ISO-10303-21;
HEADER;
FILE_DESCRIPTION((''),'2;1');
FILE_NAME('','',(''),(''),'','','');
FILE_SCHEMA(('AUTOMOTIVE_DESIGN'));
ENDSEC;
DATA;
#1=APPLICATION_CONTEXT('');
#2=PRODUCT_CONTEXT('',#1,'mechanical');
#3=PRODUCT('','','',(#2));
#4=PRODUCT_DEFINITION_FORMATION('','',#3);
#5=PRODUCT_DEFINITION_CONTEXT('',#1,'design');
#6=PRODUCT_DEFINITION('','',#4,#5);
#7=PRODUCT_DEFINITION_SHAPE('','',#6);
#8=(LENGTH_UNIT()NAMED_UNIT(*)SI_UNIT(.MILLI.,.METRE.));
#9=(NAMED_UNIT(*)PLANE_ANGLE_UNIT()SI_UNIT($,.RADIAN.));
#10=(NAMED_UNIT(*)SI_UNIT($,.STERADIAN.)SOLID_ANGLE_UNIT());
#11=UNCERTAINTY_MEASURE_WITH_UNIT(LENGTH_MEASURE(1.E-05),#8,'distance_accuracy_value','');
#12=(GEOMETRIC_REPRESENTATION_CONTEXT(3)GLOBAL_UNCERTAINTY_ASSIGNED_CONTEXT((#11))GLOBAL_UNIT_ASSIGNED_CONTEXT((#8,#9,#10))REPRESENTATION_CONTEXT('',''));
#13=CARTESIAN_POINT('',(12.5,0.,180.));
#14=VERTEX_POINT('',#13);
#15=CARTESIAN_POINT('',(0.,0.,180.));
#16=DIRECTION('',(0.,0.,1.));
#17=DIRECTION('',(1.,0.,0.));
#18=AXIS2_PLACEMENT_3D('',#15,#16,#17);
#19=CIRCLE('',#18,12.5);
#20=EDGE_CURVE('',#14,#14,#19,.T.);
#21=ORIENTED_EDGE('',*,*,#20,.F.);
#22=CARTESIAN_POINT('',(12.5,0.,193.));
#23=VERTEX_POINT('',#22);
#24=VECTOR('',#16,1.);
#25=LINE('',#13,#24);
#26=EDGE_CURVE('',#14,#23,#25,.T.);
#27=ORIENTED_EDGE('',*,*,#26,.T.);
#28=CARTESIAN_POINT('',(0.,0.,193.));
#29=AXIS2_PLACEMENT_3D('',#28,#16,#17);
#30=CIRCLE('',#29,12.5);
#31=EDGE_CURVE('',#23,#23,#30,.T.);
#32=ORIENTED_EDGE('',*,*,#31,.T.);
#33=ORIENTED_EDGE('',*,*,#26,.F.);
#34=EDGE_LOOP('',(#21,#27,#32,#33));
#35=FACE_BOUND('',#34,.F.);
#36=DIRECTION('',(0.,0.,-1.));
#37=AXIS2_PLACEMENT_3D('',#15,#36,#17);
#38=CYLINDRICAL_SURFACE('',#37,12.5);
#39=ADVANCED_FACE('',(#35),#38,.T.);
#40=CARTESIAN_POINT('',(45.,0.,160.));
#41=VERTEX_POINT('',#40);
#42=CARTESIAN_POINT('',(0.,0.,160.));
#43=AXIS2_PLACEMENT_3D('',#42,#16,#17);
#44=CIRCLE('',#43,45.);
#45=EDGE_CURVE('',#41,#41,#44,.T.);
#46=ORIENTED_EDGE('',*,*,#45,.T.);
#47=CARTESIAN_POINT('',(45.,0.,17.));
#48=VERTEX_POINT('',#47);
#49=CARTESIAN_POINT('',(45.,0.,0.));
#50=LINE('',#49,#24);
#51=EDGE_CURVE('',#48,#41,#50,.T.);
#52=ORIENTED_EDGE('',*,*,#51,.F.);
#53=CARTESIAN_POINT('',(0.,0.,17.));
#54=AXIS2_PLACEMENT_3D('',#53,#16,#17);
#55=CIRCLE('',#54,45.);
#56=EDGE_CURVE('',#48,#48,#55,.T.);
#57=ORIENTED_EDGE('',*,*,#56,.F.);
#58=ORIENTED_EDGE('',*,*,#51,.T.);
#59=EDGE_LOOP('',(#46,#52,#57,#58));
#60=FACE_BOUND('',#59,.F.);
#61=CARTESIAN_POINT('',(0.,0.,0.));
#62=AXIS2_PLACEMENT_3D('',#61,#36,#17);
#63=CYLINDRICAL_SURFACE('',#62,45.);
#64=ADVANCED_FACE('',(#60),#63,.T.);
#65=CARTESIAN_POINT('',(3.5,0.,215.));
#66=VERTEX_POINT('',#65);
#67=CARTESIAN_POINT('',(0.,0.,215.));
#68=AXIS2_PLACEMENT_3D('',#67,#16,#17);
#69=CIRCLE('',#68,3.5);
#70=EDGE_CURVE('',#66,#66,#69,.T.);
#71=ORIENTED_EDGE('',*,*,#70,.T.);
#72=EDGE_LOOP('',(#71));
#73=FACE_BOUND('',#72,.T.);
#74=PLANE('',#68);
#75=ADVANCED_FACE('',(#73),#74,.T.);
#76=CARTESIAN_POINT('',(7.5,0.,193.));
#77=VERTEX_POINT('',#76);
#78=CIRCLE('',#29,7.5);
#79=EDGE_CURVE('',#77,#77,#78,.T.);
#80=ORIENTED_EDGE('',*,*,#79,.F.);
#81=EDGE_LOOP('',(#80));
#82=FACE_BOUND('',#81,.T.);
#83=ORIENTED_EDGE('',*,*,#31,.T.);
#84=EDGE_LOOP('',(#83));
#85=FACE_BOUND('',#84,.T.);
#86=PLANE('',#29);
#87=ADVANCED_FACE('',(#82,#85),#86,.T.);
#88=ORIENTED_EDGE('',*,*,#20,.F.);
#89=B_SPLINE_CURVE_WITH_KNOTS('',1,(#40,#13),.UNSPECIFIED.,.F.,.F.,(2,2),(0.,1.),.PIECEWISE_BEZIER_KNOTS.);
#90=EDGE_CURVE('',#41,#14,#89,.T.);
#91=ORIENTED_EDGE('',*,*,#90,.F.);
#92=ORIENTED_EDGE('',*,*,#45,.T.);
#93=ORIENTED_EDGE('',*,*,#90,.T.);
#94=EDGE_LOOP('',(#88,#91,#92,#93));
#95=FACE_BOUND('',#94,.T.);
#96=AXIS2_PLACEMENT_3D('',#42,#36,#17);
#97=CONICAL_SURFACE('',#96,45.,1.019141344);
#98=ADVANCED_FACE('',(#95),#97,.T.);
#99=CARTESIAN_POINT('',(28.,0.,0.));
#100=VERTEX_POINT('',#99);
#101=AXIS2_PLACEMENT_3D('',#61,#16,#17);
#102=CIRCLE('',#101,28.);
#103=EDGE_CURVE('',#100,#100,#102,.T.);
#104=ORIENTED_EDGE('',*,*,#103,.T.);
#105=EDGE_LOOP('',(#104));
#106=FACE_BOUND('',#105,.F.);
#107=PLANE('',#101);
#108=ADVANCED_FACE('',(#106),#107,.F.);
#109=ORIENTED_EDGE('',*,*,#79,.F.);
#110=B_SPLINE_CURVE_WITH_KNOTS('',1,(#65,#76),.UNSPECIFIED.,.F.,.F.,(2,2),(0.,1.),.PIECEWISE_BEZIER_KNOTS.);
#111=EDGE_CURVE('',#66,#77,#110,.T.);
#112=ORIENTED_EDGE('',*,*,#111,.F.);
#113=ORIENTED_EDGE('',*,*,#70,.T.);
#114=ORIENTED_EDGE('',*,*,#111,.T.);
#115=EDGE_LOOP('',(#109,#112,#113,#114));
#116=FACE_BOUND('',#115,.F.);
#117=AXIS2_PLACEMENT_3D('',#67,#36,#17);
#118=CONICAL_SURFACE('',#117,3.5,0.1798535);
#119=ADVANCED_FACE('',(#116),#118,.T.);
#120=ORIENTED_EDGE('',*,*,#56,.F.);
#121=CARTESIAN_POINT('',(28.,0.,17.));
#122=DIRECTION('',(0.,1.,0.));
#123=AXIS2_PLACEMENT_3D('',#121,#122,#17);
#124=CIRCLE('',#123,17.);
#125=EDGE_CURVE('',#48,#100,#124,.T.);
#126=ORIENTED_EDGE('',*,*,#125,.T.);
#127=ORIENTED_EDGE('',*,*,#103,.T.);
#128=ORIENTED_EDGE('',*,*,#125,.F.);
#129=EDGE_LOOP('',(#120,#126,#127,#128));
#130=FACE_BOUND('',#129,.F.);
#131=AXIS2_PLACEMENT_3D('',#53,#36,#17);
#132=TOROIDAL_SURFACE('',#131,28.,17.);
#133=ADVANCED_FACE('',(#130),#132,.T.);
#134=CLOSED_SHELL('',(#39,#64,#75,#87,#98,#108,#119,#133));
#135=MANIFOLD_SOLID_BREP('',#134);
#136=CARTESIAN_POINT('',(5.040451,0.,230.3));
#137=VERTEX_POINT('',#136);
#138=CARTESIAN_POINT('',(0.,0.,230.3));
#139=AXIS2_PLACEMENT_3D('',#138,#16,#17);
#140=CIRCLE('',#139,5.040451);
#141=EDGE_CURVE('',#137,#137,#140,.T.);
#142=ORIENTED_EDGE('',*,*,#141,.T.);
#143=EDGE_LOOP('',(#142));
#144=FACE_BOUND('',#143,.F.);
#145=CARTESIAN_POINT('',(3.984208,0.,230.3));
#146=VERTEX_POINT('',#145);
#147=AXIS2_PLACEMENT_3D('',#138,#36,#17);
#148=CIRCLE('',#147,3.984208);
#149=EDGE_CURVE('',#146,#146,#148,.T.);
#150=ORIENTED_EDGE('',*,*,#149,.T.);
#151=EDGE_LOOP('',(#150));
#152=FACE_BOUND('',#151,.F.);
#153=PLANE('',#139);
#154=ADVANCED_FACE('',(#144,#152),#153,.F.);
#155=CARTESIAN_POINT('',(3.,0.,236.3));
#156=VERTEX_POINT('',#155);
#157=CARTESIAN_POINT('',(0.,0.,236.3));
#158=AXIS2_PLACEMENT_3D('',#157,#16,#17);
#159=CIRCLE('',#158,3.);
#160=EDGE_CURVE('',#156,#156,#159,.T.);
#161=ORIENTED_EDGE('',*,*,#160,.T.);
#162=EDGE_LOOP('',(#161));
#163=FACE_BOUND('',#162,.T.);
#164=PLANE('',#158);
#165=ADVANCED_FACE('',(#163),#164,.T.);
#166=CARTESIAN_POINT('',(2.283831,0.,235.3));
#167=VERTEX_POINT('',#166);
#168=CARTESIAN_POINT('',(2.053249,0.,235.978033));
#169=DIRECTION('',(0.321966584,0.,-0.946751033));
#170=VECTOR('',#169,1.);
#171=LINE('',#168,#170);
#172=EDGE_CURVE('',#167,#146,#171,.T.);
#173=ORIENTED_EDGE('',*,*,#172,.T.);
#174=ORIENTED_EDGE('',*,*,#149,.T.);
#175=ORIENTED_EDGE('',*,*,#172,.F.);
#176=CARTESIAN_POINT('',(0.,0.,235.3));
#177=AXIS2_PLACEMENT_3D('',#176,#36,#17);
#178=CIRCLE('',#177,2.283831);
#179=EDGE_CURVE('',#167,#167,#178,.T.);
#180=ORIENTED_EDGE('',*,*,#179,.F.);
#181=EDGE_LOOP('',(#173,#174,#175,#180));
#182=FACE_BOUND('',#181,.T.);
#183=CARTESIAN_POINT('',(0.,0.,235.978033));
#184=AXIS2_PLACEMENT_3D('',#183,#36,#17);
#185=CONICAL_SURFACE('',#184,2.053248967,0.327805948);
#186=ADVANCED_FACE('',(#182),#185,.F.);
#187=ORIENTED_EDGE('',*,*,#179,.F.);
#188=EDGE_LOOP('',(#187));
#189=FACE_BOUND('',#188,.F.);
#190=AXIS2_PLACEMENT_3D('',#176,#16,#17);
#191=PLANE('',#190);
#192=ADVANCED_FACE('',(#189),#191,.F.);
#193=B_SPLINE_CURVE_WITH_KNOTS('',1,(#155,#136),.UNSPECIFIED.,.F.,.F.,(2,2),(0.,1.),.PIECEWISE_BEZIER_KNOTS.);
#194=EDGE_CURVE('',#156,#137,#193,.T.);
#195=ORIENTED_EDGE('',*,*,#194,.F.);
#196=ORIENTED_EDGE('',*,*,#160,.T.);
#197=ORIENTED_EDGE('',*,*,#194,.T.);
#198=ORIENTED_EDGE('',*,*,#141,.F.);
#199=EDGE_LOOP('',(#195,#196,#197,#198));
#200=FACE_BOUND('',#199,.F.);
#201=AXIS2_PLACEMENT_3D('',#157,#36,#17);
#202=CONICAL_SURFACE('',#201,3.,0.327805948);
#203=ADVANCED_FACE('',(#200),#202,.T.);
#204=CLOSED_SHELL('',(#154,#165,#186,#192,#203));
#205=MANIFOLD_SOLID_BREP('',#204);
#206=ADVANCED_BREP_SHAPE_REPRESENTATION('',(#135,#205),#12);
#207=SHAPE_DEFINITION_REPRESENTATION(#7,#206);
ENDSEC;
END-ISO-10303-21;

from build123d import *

# Parameters (mm, degrees)
F0_R      = 45
F1_DEPTH  = 160
F2_R      = 17
F1_FACE_R = 45
F4_R      = 12.5
F6_DEPTH  = 13
F9_R      = 3.5
F7_R      = 7.5
F14_R     = 3
F12_R     = 5.040451435
F16_T     = -1


with BuildPart() as f1:
    # F0 (on Top) → F1 (new body)
    with BuildSketch(Plane.XY):
        Circle(F0_R)
    extrude(amount=F1_DEPTH)

    # F2
    f2_edges = [f1.edges().sort_by_distance(p)[0] for p in [
        (-45, 0, 0),
    ]]
    fillet(f2_edges, radius=F2_R)

    # F1_face (on face) → F5 section 0
    with BuildSketch(Plane.XY.offset(160)):
        Circle(F1_FACE_R)
    # F4 (on offset) → F5 section 1
    with BuildSketch(Plane.XY.offset(180)):
        Circle(F4_R)
    loft()

    # F6 (add): a face of the model
    f6_faces = [f1.faces().sort_by_distance(p)[0] for p in [
        (0, 0, 180),
    ]]
    extrude(f6_faces, amount=F6_DEPTH)

    # F9 (on offset) → F10 section 0
    with BuildSketch(Plane.XY.offset(215)):
        Circle(F9_R)
    # F7 (on face) → F10 section 1
    with BuildSketch(Plane.XY.offset(193)):
        Circle(F7_R)
    loft()


with BuildPart() as f15:
    # F14 (on offset) → F15 section 0
    with BuildSketch(Plane.XY.offset(236.3)):
        Circle(F14_R)
    # F12 (on offset) → F15 section 1
    with BuildSketch(Plane.XY.offset(230.3)):
        Circle(F12_R)
    loft()

    # F16
    f16_openings = [f15.faces().sort_by_distance(p)[0] for p in [
        (0, 0, 230.3),
    ]]
    offset(amount=F16_T, openings=f16_openings, kind=Kind.INTERSECTION)


solid = Compound([f1.part, f15.part])
